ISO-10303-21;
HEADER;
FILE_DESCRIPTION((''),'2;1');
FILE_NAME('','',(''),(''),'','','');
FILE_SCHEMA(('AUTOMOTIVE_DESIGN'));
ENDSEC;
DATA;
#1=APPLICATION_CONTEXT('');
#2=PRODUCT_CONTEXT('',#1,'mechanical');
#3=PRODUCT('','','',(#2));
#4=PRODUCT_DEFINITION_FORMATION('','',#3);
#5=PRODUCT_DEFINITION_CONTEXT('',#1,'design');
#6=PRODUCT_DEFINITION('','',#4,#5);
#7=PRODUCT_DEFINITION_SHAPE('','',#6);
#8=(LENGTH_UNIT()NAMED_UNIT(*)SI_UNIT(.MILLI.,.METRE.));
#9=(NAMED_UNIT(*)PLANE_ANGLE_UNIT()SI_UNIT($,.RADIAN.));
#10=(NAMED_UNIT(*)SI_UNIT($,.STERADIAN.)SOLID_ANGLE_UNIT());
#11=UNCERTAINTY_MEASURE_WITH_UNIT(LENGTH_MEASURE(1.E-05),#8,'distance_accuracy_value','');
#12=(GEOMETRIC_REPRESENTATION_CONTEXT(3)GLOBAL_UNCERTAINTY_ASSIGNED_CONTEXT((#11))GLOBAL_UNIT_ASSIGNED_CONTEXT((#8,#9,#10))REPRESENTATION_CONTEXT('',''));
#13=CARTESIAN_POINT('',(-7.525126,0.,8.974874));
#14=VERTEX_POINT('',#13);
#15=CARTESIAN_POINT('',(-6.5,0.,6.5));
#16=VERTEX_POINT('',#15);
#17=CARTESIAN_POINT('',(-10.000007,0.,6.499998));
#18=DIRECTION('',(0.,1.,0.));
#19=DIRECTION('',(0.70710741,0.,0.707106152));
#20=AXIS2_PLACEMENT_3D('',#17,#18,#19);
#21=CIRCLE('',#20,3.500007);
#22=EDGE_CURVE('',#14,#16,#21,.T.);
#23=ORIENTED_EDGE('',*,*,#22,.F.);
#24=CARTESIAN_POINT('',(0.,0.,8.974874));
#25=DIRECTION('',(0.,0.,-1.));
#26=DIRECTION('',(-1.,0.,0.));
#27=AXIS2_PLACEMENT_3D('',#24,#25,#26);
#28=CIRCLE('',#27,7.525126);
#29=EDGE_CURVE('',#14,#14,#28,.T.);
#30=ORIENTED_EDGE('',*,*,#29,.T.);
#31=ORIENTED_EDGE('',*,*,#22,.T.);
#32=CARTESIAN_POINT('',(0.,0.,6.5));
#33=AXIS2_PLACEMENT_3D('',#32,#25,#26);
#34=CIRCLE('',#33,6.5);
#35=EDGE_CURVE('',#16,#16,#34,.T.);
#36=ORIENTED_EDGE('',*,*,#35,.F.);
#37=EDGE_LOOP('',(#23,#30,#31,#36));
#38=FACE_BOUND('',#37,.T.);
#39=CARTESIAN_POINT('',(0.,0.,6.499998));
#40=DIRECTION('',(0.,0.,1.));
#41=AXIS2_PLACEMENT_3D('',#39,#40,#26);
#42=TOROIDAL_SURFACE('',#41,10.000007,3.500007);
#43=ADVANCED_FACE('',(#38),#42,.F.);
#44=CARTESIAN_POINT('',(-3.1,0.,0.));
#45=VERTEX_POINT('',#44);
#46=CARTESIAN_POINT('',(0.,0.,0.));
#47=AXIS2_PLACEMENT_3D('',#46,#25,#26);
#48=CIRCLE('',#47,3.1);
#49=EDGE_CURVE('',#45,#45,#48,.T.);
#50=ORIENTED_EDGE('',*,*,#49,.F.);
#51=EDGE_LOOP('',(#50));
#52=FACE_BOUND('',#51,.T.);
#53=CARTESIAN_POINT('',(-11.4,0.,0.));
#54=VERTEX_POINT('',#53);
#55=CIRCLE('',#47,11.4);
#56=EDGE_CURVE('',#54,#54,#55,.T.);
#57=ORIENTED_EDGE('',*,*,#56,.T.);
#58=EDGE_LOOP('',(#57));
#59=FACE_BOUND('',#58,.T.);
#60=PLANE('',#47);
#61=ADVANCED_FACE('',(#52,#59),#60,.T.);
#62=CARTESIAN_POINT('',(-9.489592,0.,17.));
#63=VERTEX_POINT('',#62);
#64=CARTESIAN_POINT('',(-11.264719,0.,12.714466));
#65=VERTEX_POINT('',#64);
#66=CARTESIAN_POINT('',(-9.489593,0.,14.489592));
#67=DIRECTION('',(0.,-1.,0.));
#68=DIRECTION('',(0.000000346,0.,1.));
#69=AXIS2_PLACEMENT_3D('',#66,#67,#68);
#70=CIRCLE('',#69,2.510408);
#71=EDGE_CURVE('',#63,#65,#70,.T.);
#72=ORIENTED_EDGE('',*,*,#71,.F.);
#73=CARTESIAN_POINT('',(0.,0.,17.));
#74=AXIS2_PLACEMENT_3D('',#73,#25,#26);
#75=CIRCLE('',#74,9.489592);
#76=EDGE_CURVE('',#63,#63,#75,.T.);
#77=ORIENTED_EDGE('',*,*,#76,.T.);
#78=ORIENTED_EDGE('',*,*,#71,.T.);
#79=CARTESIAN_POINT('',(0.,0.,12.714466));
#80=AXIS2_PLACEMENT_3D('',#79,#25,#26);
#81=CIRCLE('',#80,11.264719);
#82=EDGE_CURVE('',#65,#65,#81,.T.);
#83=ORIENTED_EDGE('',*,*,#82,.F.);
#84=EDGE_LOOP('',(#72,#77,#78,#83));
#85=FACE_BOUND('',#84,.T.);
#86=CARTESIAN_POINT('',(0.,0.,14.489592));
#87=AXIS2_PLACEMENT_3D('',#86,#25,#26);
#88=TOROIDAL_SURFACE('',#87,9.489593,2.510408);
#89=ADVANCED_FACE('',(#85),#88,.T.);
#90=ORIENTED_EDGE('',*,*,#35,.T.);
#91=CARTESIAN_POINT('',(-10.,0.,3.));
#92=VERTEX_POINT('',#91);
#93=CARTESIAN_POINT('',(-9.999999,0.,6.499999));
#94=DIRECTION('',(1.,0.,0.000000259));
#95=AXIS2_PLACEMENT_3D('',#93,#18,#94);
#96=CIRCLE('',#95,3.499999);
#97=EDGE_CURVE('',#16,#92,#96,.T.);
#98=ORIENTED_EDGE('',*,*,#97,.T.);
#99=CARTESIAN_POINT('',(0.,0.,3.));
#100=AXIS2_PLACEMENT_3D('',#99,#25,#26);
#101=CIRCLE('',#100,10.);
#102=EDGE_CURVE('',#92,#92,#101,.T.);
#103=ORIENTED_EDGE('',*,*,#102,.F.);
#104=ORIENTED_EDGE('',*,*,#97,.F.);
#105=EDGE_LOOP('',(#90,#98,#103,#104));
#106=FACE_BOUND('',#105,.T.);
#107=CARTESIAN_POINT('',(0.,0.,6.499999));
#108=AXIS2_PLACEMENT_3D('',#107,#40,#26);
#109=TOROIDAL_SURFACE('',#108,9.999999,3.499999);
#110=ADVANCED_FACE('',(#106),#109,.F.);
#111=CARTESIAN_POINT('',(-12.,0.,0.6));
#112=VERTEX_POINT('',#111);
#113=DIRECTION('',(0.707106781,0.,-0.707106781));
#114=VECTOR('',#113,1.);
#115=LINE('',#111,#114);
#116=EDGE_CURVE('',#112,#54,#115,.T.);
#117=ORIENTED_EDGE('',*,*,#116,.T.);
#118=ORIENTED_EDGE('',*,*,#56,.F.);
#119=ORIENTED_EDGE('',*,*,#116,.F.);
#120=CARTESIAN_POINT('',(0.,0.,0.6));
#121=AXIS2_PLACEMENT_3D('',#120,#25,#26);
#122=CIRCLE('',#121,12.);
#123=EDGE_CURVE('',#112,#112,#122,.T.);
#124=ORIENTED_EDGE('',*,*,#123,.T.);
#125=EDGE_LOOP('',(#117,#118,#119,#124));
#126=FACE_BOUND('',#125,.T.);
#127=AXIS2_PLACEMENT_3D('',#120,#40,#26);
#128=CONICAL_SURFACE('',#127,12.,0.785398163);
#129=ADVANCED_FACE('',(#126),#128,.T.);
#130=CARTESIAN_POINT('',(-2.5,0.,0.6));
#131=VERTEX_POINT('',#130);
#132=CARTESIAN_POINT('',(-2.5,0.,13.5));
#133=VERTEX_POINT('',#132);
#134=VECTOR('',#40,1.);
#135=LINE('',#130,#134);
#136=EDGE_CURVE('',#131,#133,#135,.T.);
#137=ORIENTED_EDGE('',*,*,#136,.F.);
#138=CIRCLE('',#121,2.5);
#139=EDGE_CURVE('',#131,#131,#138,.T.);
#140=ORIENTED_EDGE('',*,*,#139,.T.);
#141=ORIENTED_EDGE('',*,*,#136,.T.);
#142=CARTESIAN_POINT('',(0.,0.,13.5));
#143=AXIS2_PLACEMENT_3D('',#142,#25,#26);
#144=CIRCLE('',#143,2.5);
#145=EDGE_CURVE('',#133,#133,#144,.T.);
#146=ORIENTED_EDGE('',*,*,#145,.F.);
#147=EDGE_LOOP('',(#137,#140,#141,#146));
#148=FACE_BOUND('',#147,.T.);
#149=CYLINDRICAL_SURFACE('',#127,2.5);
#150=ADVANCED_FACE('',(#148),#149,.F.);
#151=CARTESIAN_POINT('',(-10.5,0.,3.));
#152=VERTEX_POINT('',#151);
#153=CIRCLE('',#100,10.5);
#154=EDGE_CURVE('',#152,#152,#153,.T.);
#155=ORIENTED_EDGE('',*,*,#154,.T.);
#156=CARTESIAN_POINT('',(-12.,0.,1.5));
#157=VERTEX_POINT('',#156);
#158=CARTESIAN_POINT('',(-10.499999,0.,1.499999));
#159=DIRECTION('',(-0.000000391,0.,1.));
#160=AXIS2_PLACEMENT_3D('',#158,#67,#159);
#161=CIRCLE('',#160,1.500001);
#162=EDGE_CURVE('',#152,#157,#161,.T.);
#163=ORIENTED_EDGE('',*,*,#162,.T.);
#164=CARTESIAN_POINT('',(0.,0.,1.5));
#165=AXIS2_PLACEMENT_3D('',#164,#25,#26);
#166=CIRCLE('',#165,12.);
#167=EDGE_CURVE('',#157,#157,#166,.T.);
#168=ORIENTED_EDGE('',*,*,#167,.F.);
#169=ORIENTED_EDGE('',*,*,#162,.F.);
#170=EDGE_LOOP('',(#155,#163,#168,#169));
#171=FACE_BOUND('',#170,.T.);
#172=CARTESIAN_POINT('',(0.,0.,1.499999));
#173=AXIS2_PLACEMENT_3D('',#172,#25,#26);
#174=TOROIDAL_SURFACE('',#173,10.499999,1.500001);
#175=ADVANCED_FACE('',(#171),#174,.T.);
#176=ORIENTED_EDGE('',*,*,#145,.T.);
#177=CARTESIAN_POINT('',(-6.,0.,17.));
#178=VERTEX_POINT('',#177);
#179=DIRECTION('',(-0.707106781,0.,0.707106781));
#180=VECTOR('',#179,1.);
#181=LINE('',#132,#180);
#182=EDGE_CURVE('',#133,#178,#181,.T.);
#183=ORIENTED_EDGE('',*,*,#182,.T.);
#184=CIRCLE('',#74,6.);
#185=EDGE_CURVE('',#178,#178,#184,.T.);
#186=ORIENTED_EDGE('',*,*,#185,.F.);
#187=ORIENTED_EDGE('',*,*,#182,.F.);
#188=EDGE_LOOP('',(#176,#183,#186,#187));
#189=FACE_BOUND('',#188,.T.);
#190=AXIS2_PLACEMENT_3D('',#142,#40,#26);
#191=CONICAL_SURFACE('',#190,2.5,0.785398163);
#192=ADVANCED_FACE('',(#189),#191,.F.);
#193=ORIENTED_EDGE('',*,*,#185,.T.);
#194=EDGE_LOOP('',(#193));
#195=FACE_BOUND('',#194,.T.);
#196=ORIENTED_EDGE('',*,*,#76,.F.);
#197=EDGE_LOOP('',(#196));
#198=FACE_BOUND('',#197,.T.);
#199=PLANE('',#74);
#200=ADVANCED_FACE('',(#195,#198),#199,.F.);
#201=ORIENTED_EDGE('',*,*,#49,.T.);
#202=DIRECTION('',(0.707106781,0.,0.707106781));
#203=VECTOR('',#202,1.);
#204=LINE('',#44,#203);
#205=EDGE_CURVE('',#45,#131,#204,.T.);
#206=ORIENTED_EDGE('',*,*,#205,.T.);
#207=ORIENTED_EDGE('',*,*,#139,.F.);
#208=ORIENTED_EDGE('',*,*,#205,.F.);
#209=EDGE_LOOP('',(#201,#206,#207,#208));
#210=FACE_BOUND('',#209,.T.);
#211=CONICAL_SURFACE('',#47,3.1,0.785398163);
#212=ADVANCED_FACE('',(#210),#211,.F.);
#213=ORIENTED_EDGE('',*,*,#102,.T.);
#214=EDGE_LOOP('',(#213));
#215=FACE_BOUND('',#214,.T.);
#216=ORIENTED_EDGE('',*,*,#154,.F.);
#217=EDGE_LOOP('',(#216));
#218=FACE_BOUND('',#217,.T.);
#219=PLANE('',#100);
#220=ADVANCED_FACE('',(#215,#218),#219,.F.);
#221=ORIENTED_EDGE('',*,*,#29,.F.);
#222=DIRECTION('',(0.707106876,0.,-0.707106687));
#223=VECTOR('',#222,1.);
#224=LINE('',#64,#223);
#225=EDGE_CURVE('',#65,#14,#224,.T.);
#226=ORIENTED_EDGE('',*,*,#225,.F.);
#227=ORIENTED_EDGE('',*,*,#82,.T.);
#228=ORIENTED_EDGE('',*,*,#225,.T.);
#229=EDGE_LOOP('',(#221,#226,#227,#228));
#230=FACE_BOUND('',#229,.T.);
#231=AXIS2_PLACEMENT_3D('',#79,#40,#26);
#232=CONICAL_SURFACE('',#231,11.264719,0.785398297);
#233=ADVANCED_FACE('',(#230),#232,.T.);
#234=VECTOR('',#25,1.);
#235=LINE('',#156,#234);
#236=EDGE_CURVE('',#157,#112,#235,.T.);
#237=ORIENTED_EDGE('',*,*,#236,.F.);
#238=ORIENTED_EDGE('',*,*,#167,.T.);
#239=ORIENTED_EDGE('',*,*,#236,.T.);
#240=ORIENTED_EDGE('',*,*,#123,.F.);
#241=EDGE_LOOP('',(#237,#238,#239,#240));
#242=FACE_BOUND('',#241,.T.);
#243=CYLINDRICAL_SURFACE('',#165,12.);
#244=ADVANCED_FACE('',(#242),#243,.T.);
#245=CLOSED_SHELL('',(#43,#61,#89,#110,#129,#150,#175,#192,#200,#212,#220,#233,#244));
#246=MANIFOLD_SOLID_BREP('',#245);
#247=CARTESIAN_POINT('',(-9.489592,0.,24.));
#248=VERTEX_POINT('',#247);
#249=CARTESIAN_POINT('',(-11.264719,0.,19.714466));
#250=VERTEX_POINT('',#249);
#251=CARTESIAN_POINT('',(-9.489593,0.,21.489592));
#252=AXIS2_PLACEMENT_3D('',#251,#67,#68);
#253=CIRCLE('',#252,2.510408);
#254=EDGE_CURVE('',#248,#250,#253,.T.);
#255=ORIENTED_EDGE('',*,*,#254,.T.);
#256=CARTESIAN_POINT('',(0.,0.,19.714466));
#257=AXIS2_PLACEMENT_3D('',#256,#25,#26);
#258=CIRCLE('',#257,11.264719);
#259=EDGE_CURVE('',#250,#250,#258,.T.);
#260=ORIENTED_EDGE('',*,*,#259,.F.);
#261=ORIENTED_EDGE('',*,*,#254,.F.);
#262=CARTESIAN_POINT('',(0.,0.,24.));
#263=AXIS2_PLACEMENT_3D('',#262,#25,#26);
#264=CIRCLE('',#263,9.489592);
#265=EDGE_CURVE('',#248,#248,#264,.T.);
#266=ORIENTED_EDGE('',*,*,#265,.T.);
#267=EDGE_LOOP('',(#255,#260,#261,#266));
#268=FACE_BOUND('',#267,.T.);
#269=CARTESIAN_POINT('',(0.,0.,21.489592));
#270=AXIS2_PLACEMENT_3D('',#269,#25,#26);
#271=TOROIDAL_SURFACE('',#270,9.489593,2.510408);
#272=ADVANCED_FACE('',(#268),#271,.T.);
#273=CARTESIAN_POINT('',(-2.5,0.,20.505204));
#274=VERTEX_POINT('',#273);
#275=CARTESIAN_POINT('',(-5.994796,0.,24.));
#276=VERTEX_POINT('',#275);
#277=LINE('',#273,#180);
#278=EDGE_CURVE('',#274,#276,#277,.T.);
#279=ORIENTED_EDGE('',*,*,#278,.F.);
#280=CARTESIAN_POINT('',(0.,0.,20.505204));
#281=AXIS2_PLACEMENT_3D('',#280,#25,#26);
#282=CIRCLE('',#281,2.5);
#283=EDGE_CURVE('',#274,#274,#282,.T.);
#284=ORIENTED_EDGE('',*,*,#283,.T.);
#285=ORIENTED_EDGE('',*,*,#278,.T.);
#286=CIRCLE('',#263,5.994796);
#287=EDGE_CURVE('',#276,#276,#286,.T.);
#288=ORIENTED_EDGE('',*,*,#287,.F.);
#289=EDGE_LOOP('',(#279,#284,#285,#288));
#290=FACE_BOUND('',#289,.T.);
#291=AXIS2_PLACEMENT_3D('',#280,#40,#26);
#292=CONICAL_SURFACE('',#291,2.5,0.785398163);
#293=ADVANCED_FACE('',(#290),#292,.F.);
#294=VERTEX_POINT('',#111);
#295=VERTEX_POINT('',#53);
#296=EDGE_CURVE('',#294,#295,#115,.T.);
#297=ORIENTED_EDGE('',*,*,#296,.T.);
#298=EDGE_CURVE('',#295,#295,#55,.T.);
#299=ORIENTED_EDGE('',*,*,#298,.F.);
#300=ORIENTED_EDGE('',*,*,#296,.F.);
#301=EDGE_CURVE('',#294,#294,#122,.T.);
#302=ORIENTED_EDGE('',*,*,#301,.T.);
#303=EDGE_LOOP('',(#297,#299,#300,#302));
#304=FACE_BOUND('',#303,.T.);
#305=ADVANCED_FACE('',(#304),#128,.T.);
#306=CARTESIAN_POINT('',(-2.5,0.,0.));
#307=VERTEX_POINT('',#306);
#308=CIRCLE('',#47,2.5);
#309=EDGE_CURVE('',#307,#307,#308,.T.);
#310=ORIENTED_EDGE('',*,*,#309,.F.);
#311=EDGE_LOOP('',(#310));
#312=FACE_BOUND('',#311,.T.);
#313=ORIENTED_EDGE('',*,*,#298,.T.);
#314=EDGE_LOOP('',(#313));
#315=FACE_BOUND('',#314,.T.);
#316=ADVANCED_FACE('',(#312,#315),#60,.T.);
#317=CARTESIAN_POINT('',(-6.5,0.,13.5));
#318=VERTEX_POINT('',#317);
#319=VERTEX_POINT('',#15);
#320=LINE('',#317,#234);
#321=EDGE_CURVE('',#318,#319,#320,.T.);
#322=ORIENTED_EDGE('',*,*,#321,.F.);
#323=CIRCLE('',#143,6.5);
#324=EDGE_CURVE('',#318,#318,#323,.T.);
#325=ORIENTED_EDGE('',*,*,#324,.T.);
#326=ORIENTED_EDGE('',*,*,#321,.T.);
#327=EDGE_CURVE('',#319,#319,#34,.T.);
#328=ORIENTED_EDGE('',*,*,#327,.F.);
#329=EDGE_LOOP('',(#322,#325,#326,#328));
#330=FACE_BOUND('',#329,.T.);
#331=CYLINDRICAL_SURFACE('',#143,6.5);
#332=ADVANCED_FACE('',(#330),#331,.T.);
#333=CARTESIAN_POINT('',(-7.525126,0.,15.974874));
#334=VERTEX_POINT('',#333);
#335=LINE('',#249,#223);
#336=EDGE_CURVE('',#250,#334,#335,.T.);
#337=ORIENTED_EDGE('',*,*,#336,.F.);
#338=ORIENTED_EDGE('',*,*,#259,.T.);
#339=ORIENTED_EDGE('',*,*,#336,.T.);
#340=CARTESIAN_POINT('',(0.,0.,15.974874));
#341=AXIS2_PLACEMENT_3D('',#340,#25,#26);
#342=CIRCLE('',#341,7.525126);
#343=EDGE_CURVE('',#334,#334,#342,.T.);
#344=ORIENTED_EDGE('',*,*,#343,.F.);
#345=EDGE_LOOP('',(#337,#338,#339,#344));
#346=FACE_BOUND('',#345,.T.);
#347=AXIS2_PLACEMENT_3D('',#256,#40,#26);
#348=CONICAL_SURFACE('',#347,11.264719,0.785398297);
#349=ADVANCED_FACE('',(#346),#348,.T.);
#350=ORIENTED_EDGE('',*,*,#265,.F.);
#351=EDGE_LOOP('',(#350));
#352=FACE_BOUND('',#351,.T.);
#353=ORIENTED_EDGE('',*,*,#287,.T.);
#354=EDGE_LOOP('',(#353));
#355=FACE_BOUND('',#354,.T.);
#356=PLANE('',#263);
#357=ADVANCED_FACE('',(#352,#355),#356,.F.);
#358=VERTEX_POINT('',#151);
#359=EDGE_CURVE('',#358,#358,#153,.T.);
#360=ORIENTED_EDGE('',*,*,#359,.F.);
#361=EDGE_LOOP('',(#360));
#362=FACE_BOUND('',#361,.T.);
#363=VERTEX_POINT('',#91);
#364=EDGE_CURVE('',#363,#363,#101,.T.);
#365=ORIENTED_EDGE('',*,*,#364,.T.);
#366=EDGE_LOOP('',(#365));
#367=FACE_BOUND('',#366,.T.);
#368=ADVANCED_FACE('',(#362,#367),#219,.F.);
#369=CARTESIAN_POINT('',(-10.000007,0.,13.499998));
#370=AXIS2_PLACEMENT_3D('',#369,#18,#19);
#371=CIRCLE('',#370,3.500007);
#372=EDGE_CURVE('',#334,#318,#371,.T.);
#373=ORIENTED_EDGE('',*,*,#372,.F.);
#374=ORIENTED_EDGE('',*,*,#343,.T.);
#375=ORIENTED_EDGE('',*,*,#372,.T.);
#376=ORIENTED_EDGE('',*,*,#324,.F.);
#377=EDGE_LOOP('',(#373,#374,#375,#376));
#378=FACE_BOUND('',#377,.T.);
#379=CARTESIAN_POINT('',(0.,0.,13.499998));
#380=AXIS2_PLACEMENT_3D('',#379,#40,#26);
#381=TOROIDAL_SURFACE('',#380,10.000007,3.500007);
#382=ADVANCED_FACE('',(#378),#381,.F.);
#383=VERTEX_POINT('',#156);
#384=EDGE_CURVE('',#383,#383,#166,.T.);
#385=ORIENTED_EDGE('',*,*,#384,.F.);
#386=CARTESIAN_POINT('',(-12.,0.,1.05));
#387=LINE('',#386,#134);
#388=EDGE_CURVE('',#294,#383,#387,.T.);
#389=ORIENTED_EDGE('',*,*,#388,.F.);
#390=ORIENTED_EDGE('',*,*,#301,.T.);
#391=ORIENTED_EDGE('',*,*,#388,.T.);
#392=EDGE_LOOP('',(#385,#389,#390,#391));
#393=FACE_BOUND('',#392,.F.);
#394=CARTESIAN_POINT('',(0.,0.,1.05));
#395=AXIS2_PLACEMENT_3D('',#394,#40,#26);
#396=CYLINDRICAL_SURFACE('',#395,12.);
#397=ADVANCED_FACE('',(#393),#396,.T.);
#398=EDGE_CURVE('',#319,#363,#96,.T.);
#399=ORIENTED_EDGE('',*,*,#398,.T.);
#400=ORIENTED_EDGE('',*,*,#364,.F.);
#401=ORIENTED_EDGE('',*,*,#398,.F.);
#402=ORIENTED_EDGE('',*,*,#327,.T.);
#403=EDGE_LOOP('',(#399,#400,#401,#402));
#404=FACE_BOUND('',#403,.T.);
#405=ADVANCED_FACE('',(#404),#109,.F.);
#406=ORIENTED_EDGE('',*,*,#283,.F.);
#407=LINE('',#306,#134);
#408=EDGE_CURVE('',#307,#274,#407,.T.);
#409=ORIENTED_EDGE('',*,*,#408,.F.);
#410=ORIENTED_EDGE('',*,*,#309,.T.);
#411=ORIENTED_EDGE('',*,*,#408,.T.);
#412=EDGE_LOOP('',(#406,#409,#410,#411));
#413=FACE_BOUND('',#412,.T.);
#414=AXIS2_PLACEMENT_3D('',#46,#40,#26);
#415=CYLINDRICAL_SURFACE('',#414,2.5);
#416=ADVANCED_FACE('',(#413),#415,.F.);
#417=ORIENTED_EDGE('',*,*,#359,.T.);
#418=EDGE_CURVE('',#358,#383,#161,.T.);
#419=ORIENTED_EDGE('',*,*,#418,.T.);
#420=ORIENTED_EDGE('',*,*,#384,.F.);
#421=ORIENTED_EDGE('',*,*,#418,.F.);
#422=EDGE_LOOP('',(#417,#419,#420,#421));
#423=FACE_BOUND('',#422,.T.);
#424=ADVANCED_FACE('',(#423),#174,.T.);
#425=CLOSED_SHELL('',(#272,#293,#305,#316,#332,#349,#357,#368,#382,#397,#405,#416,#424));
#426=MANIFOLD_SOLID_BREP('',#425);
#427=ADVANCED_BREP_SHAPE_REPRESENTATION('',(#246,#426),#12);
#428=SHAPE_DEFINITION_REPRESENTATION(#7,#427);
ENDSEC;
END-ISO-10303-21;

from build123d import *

# Parameters (mm, degrees)
F2_W = 9.5
F2_H = 0.9


with BuildPart() as f1:
    # F0 (on Front) → F1 (revolve)
    with BuildSketch(Plane.XZ):
        with BuildLine():
            Line((-3.1, 0), (-2.5, 0.6))
            Line((-2.5, 0.6), (-2.5, 13.5))
            Line((-2.5, 13.5), (-6, 17))
            Line((-6, 17), (-9.489592, 17))
            ThreePointArc((-9.489592, 17), (-7.714466, 16.264719), (-6.979185, 14.489592))
            ThreePointArc((-6.979185, 14.489592), (-8.528901, 12.170278), (-11.264719, 12.714466))
            Line((-11.264719, 12.714466), (-7.525126, 8.974874))
            ThreePointArc((-7.525126, 8.974874), (-6.766422, 7.839392), (-6.5, 6.5))
            ThreePointArc((-6.5, 6.5), (-7.525126, 4.025126), (-10, 3))
            Line((-10, 3), (-10.5, 3))
            ThreePointArc((-10.5, 3), (-11.56066, 2.56066), (-12, 1.5))
            Line((-12, 1.5), (-12, 0.6))
            Line((-12, 0.6), (-11.4, 0))
            Line((-11.4, 0), (-3.1, 0))
        make_face()
        with BuildLine():
            ThreePointArc((-6.979185, 14.489592), (-7.714466, 16.264719), (-9.489592, 17))
            ThreePointArc((-9.489592, 17), (-11.808907, 15.450284), (-11.264719, 12.714466))
            ThreePointArc((-11.264719, 12.714466), (-8.528901, 12.170278), (-6.979185, 14.489592))
        make_face()
    revolve(axis=Axis((0, 0, -2.873134), (0, 0, -1)))


with BuildPart() as f3:
    # F2 (on Front) → F3 (revolve)
    with BuildSketch(Plane.XZ):
        with BuildLine():
            Line((-10, 3), (-2.5, 3))
            Line((-2.5, 3), (-2.5, 13.5))
            Line((-2.5, 13.5), (-2.5, 20.505204))
            Line((-2.5, 20.505204), (-5.994796, 24))
            Line((-5.994796, 24), (-9.489592, 24))
            ThreePointArc((-9.489592, 24), (-11.808907, 22.450284), (-11.264719, 19.714466))
            Line((-11.264719, 19.714466), (-7.525126, 15.974874))
            ThreePointArc((-7.525126, 15.974874), (-6.766422, 14.839392), (-6.5, 13.5))
            Line((-6.5, 13.5), (-6.5, 6.5))
            ThreePointArc((-6.5, 6.5), (-7.525126, 4.025126), (-10, 3))
        make_face()
        with BuildLine():
            ThreePointArc((-10.5, 3), (-11.56066, 2.56066), (-12, 1.5))
            Line((-12, 1.5), (-2.5, 1.5))
            Line((-2.5, 1.5), (-2.5, 3))
            Line((-2.5, 3), (-10, 3))
            Line((-10, 3), (-10.5, 3))
        make_face()
        with Locations((-7.25, 1.05)):
            Rectangle(F2_W, F2_H)
        Polygon((-12, 0.6), (-11.4, 0), (-2.5, 0), (-2.5, 0.6), align=None)
    revolve(axis=Axis((0, 0, 9.955544), (0, 0, -1)))


solid = Compound([f1.part, f3.part])
